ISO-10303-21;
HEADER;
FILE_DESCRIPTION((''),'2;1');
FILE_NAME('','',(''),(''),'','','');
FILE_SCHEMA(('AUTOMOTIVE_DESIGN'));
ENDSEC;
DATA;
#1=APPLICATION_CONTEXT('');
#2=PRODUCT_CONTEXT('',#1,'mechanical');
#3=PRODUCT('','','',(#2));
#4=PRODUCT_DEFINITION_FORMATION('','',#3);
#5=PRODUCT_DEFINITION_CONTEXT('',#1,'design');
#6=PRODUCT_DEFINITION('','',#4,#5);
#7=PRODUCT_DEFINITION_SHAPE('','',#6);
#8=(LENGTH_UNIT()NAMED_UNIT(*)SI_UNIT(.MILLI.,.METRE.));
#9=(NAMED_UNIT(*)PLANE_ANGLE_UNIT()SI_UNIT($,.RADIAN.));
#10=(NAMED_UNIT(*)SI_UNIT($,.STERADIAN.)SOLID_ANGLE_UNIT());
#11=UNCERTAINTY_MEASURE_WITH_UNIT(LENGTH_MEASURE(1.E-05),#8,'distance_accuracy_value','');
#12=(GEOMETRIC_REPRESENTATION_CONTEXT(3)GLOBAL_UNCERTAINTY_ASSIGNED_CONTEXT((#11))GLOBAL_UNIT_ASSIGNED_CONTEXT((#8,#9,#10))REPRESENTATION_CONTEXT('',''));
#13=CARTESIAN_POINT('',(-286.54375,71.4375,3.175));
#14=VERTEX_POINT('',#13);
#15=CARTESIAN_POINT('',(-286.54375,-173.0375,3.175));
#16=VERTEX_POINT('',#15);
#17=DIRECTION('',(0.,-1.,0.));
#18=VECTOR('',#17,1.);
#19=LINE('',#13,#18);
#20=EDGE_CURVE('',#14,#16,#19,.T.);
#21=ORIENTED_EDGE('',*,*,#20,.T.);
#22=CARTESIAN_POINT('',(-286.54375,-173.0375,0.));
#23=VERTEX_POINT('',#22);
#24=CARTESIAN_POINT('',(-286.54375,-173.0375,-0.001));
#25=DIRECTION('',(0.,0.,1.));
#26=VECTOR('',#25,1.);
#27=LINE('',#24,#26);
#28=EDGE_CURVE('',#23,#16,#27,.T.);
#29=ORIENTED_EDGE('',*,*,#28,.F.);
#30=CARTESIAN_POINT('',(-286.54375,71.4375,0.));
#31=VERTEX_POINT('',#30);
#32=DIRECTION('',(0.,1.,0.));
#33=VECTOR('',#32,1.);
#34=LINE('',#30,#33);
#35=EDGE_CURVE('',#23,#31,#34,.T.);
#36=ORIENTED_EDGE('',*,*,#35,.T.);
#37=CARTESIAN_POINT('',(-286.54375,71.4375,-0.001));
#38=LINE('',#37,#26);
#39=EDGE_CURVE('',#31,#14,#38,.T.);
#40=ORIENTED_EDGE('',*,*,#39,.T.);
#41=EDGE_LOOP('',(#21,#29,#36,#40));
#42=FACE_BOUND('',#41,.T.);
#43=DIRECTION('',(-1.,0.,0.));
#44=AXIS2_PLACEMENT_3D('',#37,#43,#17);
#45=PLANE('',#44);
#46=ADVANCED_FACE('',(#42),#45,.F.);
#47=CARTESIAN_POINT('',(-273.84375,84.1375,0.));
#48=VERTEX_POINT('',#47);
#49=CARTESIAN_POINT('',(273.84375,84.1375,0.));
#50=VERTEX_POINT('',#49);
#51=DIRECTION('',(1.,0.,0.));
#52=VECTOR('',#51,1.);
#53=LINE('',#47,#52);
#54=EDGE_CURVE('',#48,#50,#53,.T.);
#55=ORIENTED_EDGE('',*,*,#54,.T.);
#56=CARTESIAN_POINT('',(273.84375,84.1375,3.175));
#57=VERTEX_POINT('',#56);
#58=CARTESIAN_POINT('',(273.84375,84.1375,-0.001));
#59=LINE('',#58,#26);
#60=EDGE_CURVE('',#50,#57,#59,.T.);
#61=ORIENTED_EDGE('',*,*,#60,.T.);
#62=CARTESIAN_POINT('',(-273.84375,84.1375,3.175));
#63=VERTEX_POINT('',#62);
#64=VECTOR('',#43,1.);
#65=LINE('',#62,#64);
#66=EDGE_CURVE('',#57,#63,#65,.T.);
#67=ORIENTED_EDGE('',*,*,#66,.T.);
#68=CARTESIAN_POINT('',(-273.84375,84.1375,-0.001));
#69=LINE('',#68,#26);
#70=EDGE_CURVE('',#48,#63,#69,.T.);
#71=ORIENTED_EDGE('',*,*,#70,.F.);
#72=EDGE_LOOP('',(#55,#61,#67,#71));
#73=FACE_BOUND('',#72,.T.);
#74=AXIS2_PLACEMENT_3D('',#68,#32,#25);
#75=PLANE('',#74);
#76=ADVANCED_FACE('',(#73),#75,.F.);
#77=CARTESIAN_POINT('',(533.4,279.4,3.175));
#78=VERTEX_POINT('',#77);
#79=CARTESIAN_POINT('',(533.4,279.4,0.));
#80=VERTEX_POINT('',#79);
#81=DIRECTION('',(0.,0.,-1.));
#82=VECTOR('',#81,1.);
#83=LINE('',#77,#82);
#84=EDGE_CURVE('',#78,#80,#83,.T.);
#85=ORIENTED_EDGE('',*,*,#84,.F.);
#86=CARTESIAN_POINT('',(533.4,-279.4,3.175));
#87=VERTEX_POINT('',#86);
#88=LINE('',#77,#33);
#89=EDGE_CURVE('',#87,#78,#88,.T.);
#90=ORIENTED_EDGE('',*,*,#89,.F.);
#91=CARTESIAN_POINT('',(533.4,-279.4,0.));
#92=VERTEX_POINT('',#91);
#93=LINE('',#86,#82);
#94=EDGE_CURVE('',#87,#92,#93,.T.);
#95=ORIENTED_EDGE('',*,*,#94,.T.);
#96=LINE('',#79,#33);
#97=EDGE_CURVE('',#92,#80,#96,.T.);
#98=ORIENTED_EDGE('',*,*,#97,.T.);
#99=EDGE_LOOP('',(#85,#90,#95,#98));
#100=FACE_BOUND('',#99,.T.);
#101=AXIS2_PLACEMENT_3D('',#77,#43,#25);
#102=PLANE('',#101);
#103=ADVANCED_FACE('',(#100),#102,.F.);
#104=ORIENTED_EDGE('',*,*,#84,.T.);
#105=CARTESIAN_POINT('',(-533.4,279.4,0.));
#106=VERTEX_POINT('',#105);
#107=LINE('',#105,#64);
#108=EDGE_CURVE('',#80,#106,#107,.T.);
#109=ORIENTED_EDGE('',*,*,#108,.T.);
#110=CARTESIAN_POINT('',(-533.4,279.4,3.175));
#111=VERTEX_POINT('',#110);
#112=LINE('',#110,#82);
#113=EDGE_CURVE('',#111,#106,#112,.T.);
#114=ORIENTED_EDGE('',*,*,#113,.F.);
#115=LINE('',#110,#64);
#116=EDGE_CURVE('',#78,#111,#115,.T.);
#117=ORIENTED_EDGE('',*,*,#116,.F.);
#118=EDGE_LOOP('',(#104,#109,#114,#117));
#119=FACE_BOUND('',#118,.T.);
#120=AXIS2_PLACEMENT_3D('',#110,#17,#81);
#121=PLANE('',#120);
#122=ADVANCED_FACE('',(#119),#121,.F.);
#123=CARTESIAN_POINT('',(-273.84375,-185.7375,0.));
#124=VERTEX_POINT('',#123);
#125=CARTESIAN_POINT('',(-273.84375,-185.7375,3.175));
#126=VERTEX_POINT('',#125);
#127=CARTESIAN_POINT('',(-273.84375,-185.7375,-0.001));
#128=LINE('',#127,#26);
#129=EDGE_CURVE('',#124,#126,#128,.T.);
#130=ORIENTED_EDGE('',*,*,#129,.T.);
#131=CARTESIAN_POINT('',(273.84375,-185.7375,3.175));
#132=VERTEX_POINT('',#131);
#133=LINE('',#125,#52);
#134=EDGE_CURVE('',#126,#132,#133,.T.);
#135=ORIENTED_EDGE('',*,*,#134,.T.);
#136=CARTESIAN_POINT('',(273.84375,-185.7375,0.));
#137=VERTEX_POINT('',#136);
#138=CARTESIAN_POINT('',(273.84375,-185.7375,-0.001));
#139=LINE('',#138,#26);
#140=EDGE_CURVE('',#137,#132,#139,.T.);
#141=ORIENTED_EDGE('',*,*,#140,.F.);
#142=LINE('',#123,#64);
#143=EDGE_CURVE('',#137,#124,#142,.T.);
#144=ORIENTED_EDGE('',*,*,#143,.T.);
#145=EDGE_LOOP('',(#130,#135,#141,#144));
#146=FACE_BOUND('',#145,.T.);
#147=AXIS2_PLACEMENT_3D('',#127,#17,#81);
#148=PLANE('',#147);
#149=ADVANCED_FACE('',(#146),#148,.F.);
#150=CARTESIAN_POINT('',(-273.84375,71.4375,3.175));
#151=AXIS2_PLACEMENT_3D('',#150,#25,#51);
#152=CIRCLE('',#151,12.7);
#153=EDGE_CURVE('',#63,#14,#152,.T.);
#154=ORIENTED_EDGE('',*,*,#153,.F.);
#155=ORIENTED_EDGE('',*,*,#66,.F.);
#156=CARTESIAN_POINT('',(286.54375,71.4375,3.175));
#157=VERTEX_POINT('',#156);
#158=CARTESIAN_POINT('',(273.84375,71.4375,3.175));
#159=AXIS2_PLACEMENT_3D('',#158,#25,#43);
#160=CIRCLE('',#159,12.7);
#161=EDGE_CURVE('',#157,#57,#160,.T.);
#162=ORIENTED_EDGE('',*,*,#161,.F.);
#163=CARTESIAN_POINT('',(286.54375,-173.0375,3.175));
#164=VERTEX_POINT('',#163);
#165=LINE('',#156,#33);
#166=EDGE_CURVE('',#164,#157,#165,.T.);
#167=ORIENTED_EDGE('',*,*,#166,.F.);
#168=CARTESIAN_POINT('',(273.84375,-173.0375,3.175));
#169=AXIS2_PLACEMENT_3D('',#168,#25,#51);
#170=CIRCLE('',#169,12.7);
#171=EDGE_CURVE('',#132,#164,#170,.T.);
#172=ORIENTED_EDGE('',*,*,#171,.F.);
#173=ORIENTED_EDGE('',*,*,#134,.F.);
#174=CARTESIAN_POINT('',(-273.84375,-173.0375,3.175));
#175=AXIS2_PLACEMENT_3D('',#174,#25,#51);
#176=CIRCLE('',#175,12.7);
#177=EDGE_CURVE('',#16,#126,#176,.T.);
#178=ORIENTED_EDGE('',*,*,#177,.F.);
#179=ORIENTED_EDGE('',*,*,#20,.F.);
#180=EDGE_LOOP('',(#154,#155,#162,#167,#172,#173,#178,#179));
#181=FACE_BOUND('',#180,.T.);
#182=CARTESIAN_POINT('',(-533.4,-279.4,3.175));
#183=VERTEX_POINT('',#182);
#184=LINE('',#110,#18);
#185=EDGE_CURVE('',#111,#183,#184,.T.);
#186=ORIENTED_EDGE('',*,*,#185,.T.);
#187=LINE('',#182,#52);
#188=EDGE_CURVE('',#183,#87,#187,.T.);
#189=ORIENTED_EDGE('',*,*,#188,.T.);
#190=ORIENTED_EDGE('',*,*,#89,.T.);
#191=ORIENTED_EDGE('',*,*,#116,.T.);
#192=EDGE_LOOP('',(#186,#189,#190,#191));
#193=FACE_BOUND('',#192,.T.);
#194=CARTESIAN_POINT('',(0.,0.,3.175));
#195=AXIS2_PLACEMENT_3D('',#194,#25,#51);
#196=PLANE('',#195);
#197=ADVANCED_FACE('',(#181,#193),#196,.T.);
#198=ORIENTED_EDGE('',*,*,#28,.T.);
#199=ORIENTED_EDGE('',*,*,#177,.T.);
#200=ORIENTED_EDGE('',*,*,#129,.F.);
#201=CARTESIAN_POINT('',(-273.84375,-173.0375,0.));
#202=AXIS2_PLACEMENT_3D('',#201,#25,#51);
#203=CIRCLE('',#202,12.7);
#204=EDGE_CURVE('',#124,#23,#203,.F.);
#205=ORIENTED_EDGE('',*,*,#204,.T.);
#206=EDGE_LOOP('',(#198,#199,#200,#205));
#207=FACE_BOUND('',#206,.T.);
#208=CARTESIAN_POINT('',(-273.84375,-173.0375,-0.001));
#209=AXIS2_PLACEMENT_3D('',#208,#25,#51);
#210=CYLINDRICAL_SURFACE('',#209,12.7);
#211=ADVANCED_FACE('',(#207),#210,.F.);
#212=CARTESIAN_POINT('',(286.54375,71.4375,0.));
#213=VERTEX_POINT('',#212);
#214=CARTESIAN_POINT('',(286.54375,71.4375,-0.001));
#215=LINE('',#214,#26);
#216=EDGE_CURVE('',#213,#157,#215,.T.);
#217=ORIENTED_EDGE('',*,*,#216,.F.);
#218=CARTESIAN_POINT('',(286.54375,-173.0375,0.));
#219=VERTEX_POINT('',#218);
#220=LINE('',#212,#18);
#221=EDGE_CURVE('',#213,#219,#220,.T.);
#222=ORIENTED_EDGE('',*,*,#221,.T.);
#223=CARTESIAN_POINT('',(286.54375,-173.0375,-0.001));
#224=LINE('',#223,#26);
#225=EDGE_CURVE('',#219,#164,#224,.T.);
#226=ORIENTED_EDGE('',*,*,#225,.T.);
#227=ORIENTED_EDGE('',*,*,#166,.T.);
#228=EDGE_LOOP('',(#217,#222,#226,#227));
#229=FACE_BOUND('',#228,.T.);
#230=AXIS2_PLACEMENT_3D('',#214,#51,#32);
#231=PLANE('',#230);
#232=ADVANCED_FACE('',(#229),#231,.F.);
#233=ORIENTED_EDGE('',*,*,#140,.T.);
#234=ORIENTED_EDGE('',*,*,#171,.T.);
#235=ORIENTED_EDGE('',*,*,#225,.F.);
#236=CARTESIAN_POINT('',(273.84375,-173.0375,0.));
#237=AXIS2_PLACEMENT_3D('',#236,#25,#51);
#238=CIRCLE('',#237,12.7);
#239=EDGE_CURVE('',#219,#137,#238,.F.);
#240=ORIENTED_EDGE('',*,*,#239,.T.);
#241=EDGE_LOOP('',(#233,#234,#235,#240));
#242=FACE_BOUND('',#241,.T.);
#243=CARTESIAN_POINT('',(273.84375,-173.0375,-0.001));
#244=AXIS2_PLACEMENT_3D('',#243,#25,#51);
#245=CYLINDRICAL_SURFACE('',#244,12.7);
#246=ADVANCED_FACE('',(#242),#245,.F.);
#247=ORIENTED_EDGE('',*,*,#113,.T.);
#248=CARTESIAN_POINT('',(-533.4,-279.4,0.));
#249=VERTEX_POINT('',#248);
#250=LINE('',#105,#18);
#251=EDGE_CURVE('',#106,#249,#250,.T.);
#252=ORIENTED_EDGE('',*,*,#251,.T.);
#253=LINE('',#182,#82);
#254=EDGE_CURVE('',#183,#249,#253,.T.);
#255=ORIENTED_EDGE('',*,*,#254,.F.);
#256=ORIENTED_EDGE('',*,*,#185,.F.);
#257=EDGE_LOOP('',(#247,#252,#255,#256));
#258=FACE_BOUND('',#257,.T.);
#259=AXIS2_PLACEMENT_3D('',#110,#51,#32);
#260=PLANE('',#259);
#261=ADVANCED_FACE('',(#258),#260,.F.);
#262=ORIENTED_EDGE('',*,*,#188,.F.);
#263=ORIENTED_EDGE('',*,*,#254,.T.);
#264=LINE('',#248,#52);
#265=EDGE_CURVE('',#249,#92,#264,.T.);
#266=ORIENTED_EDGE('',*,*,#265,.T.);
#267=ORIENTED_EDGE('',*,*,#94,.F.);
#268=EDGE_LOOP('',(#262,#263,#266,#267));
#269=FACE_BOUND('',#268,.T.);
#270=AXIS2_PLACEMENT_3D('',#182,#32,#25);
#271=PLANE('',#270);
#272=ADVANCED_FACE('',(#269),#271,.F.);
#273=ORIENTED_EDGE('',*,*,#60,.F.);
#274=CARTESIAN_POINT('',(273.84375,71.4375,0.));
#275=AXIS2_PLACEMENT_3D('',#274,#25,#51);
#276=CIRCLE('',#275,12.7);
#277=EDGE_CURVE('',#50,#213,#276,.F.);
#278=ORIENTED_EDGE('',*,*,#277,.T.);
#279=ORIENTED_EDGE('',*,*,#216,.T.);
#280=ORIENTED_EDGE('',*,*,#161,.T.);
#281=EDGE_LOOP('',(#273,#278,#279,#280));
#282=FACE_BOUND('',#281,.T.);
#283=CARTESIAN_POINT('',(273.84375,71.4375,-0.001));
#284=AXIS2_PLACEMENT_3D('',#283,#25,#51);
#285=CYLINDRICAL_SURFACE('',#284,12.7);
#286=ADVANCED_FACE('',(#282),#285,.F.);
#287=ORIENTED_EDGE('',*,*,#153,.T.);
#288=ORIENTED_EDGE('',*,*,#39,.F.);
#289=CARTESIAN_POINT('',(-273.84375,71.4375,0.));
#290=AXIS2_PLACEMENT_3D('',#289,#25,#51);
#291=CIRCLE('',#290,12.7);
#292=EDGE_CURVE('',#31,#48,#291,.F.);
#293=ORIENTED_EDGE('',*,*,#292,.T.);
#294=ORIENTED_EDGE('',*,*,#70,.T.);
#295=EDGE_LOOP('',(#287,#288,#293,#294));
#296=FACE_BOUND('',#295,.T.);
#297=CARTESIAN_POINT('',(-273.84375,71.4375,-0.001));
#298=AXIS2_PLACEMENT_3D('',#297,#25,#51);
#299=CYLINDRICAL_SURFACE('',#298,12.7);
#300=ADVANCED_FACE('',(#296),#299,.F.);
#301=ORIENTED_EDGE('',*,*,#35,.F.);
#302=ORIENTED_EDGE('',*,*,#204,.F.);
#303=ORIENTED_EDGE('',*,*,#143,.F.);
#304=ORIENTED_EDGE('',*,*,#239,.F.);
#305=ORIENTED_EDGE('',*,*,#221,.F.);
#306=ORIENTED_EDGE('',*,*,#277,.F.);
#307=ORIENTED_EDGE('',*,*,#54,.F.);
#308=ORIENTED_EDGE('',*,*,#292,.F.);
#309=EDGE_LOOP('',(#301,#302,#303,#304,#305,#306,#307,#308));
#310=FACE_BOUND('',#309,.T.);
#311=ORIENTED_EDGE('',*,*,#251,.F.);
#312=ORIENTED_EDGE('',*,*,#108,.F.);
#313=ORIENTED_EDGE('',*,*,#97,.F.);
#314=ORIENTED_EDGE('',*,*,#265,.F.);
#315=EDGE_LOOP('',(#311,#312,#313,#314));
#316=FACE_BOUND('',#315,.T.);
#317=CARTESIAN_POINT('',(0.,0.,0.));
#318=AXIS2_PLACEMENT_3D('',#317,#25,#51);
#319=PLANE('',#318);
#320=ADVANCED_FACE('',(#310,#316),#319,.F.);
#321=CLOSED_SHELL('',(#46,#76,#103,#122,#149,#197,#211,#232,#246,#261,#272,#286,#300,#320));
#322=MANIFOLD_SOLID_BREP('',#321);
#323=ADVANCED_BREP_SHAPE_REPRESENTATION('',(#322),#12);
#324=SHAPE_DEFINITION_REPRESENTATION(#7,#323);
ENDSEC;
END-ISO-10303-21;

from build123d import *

# Parameters (mm, degrees)
SKETCH1_W           = 1066.8
SKETCH1_H           = 558.8
BOSS_EXTRUDE1_DEPTH = 3.175
CUT_EXTRUDE1_REACH  = 5.175


with BuildPart() as part:
    # Sketch1 → Boss-Extrude1 (new body)
    with BuildSketch(Plane.XY):
        Rectangle(SKETCH1_W, SKETCH1_H)
    extrude(amount=BOSS_EXTRUDE1_DEPTH)

    # Sketch2 → Cut-Extrude1 (cut, up to next)
    with BuildSketch(Plane.XY.offset(3.175), mode=Mode.PRIVATE) as cut_extrude1_sk1:
        with BuildLine():
            Line((-273.84375, 84.1375), (273.84375, 84.1375))
            ThreePointArc((273.84375, 84.1375), (282.824006121, 80.417756121), (286.54375, 71.4375))
            Line((286.54375, 71.4375), (286.54375, -173.0375))
            ThreePointArc((286.54375, -173.0375), (282.824006121, -182.017756121), (273.84375, -185.7375))
            Line((273.84375, -185.7375), (-273.84375, -185.7375))
            ThreePointArc((-273.84375, -185.7375), (-282.824006121, -182.017756121), (-286.54375, -173.0375))
            Line((-286.54375, -173.0375), (-286.54375, 71.4375))
            ThreePointArc((-286.54375, 71.4375), (-282.824006121, 80.417756121), (-273.84375, 84.1375))
        make_face()
    cut_extrude1_tool1 = extrude(cut_extrude1_sk1.sketch, amount=-CUT_EXTRUDE1_REACH, mode=Mode.PRIVATE) & part.part
    add(cut_extrude1_tool1.solids().sort_by_distance((0, -50.8, 3.175))[0], mode=Mode.SUBTRACT)


solid = part.part
